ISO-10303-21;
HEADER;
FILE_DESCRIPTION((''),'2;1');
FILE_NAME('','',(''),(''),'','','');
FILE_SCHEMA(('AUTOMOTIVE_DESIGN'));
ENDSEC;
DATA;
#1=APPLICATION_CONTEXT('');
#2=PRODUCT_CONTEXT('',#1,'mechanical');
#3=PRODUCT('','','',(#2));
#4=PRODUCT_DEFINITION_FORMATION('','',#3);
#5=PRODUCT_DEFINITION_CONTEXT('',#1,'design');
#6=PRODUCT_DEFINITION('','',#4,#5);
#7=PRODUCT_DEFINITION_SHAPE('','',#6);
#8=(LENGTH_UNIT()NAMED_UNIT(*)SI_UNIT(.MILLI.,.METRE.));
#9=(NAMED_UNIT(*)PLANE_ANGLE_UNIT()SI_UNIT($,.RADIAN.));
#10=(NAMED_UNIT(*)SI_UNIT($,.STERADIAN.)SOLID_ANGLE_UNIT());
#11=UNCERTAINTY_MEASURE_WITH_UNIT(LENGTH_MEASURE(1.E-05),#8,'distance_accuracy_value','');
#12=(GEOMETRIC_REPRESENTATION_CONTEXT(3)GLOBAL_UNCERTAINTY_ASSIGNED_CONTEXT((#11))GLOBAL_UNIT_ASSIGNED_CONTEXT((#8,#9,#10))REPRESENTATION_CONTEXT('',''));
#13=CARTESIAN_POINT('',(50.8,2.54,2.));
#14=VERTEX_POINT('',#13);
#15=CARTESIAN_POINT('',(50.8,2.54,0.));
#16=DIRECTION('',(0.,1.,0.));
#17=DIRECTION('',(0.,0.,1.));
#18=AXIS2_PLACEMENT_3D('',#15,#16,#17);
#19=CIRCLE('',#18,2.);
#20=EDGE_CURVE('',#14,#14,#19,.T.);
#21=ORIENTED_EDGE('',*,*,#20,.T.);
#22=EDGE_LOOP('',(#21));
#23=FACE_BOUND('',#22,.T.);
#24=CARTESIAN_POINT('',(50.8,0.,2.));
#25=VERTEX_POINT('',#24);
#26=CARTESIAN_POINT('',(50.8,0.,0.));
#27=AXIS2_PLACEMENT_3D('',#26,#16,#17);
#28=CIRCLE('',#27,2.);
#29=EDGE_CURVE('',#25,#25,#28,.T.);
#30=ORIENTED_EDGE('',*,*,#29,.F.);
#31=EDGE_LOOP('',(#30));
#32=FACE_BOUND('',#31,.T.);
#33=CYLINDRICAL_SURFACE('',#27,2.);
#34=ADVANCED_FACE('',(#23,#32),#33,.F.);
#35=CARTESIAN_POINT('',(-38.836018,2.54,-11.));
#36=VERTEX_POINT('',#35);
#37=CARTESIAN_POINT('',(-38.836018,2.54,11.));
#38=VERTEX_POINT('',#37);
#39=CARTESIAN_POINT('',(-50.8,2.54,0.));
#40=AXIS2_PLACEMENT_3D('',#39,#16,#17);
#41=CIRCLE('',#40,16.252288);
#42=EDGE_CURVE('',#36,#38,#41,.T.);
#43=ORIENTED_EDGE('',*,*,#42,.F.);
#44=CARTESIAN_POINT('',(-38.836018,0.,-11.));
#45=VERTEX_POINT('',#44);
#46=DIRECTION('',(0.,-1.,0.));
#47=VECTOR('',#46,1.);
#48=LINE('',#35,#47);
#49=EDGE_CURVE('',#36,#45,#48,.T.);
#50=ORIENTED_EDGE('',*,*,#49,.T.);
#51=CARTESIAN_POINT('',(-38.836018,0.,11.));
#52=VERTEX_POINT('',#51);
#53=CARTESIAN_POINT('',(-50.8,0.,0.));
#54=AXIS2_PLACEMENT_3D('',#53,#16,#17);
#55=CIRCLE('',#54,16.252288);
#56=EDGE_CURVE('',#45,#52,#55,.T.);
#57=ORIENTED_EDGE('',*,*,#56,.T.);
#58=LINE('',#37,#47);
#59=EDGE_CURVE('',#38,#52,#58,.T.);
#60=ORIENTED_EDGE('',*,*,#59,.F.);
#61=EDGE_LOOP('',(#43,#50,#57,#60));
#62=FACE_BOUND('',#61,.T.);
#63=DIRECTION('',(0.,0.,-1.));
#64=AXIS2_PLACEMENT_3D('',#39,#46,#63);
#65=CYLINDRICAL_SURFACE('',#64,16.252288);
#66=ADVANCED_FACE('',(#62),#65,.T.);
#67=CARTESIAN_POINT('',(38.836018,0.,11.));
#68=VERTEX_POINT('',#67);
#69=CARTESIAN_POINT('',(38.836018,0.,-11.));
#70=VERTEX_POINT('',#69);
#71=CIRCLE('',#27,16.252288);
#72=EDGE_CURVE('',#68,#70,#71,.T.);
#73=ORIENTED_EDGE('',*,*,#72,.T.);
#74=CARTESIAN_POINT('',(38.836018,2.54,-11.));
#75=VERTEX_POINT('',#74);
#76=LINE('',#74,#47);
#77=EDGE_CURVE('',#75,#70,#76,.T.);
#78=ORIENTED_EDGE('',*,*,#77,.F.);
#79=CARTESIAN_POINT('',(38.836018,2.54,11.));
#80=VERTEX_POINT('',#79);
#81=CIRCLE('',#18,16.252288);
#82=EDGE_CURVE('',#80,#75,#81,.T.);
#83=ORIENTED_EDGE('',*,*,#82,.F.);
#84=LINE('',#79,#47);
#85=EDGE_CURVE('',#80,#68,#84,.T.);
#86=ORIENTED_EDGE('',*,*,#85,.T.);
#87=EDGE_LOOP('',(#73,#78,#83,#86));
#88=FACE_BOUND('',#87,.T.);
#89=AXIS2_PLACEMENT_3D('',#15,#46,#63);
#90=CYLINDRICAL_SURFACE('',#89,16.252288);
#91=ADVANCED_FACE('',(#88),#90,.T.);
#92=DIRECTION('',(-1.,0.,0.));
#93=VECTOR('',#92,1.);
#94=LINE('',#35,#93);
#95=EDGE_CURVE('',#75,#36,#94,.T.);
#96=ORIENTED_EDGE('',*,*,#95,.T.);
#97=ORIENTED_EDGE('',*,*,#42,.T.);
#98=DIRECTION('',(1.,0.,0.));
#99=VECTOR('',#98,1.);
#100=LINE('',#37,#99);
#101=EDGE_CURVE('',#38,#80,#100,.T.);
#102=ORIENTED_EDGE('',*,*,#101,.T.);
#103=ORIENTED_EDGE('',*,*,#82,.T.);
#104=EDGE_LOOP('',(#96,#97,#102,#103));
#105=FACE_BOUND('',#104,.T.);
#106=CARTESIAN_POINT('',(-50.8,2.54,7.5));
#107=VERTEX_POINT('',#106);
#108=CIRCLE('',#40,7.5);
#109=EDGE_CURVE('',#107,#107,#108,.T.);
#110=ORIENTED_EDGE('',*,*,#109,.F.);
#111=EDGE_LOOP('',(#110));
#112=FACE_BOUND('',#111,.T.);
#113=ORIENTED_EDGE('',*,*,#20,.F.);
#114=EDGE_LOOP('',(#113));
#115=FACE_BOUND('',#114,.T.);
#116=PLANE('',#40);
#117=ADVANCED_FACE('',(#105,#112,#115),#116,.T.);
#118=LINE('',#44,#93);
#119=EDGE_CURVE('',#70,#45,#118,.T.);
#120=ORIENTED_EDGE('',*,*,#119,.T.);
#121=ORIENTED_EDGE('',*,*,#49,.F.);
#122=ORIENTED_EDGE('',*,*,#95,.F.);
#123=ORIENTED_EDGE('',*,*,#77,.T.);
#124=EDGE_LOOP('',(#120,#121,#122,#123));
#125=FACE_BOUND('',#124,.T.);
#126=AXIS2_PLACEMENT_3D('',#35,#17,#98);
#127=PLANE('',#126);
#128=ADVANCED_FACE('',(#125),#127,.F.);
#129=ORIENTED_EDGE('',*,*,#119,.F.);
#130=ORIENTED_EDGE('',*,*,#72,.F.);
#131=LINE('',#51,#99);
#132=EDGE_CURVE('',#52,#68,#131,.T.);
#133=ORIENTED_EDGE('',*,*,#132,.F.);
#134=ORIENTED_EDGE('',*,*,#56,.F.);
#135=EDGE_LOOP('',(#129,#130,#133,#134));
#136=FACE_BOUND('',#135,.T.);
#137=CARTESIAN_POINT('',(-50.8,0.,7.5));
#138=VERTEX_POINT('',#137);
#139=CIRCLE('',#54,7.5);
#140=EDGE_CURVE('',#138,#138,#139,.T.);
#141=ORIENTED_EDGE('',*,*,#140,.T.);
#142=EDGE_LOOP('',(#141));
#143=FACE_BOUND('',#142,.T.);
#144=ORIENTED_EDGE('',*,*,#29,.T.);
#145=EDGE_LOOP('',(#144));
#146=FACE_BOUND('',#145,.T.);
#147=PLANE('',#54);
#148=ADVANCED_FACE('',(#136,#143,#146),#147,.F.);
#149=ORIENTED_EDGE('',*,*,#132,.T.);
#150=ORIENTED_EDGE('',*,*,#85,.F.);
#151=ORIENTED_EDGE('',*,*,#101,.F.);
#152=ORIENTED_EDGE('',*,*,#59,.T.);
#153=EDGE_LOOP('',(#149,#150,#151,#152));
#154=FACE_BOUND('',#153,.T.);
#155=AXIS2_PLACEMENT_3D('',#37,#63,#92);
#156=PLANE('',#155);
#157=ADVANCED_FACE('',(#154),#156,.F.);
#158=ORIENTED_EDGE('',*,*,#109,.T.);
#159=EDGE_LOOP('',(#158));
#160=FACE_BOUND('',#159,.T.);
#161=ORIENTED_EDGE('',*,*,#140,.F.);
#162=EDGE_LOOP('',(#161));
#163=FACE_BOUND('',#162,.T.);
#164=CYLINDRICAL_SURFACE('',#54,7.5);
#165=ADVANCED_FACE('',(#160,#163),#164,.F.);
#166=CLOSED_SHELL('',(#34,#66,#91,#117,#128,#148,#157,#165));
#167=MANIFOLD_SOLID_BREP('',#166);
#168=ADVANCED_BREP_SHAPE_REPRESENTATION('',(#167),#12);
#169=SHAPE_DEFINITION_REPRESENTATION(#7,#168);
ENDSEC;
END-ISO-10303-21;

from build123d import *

# Parameters (mm, degrees)
BOSS_EXTRUDE1_DEPTH = 2.54
SKETCH2_R           = 7.5
SKETCH2_R_2         = 2
CUT_EXTRUDE1_DEPTH  = 2.54


with BuildPart() as part:
    # Sketch1 → Boss-Extrude1 (new body)
    with BuildSketch(Plane(origin=(0, 0, 0), x_dir=(1, 0, 0), z_dir=(0, 1, 0))):
        with BuildLine():
            Line((-38.836017598, 11), (38.836017598, 11))
            ThreePointArc((38.836017598, 11), (67.052288298, 0), (38.836017598, -11))
            Line((38.836017598, -11), (-38.836017598, -11))
            ThreePointArc((-38.836017598, -11), (-67.052288298, 0), (-38.836017598, 11))
        make_face()
    extrude(amount=BOSS_EXTRUDE1_DEPTH)

    # Sketch2 → Cut-Extrude1 (cut)
    with BuildSketch(Plane(origin=(0, 2.54, 0), x_dir=(1, 0, 0), z_dir=(0, 1, 0))):
        with Locations((-50.8, 0)):
            Circle(SKETCH2_R)
        with Locations((50.8, 0)):
            Circle(SKETCH2_R_2)
    extrude(amount=-CUT_EXTRUDE1_DEPTH, mode=Mode.SUBTRACT)


solid = part.part
